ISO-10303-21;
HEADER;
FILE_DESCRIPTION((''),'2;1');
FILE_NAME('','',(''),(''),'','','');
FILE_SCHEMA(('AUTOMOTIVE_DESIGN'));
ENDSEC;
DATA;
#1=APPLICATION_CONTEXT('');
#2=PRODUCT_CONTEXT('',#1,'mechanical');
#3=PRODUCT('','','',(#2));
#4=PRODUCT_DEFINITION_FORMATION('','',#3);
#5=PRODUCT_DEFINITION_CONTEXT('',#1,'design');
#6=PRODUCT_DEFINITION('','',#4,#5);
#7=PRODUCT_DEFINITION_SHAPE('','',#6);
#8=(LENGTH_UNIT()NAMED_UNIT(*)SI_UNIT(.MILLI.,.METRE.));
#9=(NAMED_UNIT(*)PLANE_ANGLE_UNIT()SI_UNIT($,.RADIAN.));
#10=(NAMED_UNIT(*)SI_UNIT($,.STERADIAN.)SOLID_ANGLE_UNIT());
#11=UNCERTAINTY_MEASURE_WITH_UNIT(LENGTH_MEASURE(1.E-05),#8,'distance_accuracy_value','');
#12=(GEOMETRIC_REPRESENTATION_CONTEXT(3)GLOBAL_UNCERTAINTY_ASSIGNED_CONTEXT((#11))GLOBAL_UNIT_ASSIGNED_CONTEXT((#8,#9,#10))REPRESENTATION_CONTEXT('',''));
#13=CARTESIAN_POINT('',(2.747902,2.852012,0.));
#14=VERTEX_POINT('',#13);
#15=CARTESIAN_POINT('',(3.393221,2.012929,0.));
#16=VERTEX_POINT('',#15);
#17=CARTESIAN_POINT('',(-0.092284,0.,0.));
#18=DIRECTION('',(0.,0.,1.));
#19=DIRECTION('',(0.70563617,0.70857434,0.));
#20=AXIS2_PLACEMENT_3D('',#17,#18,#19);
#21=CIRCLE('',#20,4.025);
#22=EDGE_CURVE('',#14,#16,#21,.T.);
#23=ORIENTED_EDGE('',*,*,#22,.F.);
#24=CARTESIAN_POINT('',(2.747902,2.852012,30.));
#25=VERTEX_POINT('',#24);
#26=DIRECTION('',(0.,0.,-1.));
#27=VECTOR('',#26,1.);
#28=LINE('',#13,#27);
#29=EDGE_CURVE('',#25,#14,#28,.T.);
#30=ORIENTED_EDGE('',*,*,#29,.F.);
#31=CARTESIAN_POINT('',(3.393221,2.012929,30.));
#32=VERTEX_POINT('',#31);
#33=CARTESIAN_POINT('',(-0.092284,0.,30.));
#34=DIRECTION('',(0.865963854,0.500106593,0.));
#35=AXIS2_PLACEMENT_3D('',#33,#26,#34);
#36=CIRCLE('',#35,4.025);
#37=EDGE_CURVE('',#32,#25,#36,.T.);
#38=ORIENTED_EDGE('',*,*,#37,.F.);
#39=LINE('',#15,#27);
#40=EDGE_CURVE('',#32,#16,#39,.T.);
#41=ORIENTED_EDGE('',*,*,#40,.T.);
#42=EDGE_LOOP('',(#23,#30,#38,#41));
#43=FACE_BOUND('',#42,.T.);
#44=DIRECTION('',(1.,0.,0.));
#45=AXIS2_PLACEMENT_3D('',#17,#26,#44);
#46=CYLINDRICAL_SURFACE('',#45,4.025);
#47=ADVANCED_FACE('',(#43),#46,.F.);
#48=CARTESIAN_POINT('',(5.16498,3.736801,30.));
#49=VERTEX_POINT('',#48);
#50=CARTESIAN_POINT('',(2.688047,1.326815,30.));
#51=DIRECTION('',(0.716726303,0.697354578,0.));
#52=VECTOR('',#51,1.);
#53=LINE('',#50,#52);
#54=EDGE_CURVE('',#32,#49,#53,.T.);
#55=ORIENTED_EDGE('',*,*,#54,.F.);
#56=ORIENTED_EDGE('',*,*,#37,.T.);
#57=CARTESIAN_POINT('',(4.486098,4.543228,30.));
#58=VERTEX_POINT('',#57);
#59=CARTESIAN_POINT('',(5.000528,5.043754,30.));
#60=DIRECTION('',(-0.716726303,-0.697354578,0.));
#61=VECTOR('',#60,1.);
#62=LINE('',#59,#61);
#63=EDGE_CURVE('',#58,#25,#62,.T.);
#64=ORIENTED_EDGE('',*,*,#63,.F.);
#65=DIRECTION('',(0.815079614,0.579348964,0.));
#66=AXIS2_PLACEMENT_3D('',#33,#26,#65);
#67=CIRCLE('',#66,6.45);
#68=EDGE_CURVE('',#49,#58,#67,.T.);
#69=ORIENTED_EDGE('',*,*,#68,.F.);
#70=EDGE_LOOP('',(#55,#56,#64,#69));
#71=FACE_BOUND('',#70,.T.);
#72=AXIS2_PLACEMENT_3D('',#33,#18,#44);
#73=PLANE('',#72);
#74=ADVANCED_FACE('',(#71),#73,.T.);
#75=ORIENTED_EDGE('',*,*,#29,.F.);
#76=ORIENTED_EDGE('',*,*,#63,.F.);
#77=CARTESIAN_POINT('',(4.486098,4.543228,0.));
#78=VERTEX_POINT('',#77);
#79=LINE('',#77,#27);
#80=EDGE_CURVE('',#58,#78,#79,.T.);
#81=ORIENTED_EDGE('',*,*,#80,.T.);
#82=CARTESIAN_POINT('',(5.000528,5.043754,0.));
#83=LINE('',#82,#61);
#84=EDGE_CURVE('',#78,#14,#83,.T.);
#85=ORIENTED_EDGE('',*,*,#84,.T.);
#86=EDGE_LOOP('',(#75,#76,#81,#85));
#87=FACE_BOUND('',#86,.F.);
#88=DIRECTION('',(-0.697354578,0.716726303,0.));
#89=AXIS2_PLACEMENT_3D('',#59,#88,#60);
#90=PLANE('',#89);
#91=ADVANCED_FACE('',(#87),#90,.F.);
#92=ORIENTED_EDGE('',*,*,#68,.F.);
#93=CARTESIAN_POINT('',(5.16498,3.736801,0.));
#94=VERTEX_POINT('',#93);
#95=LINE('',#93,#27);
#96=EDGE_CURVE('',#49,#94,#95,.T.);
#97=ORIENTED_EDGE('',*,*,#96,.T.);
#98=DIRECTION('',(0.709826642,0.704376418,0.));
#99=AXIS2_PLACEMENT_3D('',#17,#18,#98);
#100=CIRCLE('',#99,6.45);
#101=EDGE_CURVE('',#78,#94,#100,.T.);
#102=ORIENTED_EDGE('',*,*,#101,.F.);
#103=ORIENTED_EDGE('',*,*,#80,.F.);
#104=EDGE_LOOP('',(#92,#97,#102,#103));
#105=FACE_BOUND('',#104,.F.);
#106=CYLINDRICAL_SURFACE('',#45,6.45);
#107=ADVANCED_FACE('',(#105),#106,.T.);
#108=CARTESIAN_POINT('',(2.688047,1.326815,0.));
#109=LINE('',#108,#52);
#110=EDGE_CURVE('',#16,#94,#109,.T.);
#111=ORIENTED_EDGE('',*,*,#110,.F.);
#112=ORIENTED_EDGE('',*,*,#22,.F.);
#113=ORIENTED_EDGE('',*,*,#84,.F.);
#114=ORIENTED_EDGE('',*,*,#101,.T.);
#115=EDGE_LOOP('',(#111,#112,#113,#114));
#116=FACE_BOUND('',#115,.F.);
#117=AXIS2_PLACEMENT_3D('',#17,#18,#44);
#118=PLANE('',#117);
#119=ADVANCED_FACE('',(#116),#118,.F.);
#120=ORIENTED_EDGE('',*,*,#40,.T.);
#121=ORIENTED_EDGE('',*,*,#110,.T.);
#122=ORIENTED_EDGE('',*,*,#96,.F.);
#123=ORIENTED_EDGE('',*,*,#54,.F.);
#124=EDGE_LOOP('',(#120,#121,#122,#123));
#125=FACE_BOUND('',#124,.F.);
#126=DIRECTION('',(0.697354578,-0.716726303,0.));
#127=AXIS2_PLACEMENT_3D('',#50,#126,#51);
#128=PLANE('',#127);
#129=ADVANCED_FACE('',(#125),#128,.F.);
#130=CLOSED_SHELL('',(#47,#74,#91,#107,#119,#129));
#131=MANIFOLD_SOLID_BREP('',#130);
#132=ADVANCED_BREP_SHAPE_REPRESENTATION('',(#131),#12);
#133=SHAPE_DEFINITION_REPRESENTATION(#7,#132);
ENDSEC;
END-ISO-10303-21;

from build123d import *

# Parameters (mm, degrees)
SKETCH_R     = 6.45
SKETCH_R_2   = 4.025
PAD_DEPTH    = 30
POCKET_DEPTH = 30


with BuildPart() as part:
    # Sketch (on XY_Plane001 of Origin002) → Pad (new body)
    with BuildSketch(Plane.XY):
        with Locations((-0.092284, 0)):
            Circle(SKETCH_R)
        with Locations((-0.092284, 0)):
            Circle(SKETCH_R_2, mode=Mode.SUBTRACT)
    extrude(amount=PAD_DEPTH)

    # Sketch001 (on Face4 of Pad) → Pocket (cut)
    with BuildSketch(Plane.XY.offset(30)):
        Polygon((5.733733, 4.290182), (5.000528, 5.043754), (1.954842, 2.080387), (2.688047, 1.326815), align=None)
    extrude(amount=-POCKET_DEPTH, mode=Mode.SUBTRACT)


solid = part.part
